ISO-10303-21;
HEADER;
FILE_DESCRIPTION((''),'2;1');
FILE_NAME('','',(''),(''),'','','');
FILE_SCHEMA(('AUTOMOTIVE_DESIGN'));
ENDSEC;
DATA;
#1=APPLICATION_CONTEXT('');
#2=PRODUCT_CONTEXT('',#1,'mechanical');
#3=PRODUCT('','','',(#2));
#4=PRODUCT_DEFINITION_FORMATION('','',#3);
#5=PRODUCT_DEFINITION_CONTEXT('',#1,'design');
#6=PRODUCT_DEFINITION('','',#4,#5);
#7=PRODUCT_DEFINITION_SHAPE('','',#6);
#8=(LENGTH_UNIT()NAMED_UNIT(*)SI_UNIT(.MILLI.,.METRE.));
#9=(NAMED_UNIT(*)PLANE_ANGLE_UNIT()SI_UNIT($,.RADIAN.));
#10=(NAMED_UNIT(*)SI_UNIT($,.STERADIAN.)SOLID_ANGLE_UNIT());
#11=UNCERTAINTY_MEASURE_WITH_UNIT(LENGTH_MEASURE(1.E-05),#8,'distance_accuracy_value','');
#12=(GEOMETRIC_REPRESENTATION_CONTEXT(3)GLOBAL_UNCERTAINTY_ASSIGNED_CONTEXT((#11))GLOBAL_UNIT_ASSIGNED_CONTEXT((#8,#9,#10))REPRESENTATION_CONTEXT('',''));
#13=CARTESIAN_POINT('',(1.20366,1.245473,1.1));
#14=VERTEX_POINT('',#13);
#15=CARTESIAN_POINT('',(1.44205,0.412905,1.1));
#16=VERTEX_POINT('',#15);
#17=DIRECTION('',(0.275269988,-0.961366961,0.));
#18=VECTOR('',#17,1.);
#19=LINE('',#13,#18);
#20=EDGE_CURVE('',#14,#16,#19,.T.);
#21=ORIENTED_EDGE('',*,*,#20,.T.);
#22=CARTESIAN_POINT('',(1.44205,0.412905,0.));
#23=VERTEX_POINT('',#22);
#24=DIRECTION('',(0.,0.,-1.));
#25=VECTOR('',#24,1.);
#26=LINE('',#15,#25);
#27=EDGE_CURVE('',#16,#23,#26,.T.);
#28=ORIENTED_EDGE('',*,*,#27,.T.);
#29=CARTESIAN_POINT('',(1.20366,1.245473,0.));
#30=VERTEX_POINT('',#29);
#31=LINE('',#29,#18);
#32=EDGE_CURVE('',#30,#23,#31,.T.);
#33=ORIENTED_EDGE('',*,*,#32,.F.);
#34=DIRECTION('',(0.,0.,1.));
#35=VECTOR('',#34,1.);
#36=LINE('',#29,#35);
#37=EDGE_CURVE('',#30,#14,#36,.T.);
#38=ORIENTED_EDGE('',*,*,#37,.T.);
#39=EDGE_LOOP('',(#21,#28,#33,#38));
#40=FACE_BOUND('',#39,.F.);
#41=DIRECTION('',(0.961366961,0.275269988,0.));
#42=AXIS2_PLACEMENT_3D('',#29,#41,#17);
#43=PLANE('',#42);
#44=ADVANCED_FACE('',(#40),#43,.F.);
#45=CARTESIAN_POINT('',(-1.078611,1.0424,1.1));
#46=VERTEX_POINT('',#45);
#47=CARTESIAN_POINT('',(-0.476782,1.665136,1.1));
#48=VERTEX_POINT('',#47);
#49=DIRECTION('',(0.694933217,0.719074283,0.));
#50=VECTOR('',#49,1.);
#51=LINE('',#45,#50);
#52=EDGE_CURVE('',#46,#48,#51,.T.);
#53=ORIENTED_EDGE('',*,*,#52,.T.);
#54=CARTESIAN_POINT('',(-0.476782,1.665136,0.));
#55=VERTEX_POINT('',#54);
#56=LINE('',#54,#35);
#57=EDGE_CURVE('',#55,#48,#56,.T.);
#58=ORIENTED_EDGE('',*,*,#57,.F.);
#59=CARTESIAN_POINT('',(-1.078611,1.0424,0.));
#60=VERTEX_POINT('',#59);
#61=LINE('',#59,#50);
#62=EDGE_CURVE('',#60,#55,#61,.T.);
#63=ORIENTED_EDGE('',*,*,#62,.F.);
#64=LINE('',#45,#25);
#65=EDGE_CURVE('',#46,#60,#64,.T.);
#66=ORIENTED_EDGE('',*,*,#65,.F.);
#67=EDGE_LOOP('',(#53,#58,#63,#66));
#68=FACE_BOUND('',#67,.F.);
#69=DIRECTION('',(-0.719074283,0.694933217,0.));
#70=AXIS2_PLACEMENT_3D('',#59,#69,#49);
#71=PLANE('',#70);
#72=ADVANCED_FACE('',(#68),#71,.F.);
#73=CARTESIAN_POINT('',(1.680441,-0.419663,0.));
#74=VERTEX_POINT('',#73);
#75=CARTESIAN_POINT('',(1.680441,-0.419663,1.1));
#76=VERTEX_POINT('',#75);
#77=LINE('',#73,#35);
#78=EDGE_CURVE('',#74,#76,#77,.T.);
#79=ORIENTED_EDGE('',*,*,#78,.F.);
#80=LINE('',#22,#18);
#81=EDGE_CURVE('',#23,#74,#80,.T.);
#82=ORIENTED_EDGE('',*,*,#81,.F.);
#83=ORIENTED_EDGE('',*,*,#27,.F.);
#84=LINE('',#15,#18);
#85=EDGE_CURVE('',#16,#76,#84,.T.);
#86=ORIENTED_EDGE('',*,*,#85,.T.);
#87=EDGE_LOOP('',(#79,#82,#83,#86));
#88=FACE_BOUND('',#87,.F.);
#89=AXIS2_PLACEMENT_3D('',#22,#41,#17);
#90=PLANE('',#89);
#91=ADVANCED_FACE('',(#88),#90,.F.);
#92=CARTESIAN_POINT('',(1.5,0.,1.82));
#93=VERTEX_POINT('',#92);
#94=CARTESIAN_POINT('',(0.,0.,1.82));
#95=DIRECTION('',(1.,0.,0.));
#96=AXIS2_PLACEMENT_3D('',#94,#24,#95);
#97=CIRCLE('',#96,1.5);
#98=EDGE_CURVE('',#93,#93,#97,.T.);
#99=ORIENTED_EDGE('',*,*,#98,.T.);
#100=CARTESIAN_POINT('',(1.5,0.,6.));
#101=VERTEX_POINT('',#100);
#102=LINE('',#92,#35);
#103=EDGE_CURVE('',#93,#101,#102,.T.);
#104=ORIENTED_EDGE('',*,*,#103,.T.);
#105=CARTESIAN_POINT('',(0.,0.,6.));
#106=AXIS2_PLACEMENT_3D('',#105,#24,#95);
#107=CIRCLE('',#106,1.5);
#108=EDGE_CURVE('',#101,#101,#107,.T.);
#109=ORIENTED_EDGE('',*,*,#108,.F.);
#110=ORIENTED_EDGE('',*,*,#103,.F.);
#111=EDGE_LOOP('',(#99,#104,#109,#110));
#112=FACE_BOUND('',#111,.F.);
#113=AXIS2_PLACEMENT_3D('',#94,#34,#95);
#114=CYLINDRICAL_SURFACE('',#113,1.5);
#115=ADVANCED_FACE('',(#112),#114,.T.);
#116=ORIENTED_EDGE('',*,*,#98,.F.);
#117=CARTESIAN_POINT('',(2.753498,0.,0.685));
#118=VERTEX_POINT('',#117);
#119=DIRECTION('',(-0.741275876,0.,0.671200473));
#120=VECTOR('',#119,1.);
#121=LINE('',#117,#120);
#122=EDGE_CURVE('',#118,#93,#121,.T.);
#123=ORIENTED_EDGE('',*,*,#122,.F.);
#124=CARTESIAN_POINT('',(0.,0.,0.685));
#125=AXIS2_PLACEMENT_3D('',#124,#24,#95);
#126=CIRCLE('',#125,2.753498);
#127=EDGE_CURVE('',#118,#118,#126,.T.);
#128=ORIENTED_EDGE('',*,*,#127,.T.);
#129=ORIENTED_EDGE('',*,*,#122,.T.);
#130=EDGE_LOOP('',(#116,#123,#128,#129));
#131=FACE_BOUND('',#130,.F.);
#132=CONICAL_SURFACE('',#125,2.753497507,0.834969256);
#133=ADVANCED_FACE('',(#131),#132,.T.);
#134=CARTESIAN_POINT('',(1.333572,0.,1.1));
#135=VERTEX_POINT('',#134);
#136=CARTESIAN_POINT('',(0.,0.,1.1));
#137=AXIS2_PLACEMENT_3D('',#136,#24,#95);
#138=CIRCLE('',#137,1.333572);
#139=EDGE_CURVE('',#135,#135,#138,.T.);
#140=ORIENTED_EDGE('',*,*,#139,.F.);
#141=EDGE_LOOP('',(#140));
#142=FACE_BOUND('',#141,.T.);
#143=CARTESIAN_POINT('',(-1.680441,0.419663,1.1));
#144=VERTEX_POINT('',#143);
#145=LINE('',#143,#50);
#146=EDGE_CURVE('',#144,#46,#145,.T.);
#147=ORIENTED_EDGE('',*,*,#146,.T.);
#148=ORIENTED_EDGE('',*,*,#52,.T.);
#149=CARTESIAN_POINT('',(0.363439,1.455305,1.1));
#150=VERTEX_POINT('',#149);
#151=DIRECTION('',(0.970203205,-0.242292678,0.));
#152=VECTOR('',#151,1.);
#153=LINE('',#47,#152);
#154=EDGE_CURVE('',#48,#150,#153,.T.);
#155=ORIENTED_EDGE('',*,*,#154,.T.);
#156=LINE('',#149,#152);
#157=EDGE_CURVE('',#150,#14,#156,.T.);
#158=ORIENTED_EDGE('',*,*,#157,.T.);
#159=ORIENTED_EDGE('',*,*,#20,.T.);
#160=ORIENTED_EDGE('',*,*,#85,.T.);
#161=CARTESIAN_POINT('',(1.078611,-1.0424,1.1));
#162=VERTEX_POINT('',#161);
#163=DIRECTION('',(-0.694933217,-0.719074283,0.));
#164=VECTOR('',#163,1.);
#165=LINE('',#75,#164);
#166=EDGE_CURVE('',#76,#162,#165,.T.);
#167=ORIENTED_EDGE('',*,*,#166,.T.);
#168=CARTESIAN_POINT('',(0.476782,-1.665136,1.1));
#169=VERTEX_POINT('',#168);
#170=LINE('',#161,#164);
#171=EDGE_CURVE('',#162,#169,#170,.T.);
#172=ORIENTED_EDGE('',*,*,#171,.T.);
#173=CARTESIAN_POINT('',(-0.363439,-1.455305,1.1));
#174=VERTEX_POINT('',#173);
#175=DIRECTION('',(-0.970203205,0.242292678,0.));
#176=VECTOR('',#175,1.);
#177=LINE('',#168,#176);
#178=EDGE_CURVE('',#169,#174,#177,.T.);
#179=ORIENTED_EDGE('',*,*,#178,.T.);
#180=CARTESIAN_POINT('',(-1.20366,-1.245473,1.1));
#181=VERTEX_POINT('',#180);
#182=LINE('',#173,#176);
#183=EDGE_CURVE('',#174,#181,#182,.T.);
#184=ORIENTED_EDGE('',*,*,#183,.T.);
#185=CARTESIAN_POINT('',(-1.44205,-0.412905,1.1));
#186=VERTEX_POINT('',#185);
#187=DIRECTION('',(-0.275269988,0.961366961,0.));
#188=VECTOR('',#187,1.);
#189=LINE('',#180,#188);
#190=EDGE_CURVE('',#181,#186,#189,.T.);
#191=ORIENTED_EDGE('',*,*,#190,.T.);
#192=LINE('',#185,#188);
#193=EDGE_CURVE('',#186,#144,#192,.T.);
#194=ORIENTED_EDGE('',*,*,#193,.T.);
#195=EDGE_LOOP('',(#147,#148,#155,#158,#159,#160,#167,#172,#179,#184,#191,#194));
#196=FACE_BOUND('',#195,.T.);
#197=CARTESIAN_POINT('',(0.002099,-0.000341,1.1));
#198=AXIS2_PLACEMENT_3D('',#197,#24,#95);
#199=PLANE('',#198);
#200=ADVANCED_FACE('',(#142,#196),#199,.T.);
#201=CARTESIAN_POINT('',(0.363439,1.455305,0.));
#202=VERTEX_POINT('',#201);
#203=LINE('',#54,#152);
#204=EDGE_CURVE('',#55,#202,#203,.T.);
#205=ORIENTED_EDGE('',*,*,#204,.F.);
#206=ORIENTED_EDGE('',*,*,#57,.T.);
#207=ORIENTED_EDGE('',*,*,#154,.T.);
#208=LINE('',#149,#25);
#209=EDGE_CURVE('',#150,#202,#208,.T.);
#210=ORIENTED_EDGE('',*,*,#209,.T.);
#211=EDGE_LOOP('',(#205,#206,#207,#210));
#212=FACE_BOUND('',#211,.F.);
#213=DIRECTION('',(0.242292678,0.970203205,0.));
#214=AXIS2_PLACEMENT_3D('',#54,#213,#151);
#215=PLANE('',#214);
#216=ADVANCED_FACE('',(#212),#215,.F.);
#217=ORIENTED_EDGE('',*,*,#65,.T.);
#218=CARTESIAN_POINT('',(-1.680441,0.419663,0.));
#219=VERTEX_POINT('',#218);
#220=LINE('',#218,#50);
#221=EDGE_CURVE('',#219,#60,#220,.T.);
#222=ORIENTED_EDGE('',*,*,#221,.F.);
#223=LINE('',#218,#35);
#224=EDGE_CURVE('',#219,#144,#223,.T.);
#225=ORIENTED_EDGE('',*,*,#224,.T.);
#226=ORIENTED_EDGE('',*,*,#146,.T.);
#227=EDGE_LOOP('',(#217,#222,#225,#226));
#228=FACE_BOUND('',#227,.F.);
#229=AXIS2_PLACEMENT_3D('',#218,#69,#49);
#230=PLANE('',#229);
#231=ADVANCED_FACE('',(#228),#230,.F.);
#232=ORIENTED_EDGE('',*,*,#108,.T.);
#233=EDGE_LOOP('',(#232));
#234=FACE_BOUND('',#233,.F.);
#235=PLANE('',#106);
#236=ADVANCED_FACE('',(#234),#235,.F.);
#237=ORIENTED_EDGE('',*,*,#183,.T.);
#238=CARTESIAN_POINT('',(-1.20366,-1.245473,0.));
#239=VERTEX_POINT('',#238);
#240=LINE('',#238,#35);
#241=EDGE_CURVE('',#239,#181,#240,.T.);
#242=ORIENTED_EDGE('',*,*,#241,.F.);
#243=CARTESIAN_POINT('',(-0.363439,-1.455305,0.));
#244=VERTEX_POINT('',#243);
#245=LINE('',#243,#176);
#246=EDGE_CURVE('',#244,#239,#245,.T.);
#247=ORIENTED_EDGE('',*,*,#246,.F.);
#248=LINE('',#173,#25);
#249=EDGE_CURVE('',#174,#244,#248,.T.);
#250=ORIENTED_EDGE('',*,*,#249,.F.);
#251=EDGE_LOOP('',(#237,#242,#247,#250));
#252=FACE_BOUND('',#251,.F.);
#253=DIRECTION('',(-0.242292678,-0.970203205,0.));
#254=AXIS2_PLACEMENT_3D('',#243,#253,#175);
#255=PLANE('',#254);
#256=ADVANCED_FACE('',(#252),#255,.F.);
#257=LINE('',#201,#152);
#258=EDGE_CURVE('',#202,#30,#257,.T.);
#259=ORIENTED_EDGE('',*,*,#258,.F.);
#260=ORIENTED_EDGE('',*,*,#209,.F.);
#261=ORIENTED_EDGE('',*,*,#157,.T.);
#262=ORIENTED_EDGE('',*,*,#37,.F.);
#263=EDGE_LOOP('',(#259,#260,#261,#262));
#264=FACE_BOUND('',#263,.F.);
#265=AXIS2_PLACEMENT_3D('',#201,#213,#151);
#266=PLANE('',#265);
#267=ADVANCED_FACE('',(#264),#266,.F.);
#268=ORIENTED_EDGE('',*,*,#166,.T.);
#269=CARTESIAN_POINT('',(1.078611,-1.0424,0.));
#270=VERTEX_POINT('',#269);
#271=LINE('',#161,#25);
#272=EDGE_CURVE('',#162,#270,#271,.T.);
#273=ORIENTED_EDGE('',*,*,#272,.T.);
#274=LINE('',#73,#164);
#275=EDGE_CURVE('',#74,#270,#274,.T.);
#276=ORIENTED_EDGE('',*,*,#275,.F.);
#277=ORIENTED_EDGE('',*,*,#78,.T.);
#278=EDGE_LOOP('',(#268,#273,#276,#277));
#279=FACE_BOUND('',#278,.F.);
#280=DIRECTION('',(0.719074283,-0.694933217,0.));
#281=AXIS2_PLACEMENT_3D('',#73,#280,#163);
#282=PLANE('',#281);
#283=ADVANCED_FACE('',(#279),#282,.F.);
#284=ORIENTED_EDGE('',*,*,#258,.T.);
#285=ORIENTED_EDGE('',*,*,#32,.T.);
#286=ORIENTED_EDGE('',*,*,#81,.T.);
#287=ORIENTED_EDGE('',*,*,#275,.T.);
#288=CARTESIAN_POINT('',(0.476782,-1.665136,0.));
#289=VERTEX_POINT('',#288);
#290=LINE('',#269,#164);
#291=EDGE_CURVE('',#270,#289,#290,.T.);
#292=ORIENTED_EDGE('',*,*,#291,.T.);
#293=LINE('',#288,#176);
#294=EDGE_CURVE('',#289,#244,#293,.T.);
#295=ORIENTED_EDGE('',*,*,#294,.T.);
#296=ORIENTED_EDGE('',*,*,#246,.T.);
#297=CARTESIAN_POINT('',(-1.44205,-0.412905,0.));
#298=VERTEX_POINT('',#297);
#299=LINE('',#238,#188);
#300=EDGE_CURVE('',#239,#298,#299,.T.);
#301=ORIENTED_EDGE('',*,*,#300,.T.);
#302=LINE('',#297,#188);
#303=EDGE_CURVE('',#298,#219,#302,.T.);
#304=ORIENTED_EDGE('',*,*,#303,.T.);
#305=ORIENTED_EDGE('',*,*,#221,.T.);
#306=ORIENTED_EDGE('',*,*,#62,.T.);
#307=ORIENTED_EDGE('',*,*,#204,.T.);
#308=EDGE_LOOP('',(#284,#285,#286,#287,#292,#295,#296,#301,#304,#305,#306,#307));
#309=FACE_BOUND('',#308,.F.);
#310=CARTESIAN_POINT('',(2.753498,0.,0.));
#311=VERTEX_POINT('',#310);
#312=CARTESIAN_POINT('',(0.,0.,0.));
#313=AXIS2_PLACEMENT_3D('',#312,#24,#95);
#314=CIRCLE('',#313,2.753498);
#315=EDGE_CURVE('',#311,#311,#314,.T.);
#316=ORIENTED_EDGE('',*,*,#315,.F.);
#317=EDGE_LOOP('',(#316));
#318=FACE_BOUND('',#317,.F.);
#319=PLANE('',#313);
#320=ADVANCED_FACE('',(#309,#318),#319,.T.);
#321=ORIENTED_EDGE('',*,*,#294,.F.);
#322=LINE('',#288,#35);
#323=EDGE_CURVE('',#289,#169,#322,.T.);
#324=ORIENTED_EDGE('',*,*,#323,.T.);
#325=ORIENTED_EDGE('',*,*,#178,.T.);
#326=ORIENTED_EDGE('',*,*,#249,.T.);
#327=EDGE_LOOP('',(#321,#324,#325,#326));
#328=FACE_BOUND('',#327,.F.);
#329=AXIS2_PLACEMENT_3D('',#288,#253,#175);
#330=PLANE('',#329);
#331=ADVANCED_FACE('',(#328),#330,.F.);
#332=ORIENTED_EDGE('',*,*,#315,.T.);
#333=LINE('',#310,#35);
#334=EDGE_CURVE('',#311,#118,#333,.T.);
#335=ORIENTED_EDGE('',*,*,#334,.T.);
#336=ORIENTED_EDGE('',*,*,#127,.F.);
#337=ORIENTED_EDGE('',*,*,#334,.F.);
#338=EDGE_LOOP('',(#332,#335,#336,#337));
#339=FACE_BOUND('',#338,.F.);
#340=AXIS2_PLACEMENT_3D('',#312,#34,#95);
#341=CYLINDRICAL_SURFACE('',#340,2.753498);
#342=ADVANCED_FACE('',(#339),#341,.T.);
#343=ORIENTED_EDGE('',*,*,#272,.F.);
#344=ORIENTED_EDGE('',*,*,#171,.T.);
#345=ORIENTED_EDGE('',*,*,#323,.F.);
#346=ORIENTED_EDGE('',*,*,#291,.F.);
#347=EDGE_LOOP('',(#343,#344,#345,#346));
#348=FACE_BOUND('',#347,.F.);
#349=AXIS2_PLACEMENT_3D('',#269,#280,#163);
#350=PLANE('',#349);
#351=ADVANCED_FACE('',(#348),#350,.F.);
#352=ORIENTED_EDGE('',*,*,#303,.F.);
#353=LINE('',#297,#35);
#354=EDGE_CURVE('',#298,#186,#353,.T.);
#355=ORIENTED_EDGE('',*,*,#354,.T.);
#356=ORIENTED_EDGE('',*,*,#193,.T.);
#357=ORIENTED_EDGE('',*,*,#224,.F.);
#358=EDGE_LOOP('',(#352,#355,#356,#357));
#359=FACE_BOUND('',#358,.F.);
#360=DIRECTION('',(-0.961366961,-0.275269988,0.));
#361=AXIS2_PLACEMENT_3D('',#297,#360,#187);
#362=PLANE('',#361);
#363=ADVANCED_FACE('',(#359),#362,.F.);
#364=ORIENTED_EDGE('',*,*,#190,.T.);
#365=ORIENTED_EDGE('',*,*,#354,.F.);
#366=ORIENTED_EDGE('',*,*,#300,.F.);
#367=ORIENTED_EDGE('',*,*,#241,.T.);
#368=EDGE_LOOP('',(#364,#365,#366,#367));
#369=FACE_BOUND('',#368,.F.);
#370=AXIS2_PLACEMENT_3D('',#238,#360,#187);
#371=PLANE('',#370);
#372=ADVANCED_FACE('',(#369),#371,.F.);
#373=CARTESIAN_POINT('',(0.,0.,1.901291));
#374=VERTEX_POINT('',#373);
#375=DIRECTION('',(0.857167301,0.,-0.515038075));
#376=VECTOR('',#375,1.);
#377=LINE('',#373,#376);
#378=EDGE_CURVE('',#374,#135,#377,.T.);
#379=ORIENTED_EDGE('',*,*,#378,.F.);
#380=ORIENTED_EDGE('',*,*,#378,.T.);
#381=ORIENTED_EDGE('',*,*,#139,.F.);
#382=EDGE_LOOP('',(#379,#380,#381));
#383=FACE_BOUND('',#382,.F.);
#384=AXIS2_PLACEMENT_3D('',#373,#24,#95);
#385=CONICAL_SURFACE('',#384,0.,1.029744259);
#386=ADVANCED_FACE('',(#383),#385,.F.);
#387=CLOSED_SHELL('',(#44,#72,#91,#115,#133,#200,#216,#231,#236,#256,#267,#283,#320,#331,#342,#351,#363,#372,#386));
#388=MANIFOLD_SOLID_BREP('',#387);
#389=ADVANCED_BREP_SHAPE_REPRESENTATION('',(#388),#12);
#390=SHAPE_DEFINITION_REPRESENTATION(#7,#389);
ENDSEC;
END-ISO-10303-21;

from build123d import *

# Parameters (mm, degrees)
F3_D     = 3
F3_DEPTH = 1
F3_TIP   = 0.9012909285
F5_DEPTH = 1.1


with BuildPart() as f1:
    # F0 (on Front) → F1 (revolve)
    with BuildSketch(Plane.XZ):
        Polygon((1.5, 6), (0, 6), (0, 0), (2.753497507, 0), (2.753497507, 0.685), (1.5, 1.82), align=None)
    revolve(axis=Axis((0, 0, 3), (0, 0, -1)))

    # F3
    with Locations(Plane(origin=(0, 0, 0), x_dir=(1, 0, 0), z_dir=(0, 0, -1))):
        with Locations((0, 0)):
            Hole(F3_D / 2, depth=F3_DEPTH)
            with Locations((0, 0, -(F3_DEPTH + F3_TIP / 2))):  # 118° drill point
                Cone(0, F3_D / 2, F3_TIP, mode=Mode.SUBTRACT)

    # F4 (on face) → F5 (cut)
    with BuildSketch(Plane(origin=(0, 0, 0), x_dir=(1, 0, 0), z_dir=(0, 0, -1))):
        with BuildLine():
            ThreePointArc((1.4420504443, -0.4129049722), (1.4854419656, -0.2084758182), (1.5, 0))
            ThreePointArc((1.5, 0), (1.3906683924, 0.5621756153), (1.0786114367, 1.0423998122))
            ThreePointArc((1.0786114367, 1.0423998122), (0.4129049995, 1.4420504365), (-0.3634389987, 1.4553048114))
            ThreePointArc((-0.3634389987, 1.4553048114), (-1.0423998218, 1.0786114275), (-1.4420504443, 0.4129049722))
            ThreePointArc((-1.4420504443, 0.4129049722), (-1.4553048039, -0.363439029), (-1.0786114144, -1.0423998354))
            ThreePointArc((-1.0786114144, -1.0423998354), (-0.412904984, -1.4420504409), (0.3634389987, -1.4553048114))
            ThreePointArc((0.3634389987, -1.4553048114), (1.0423998218, -1.0786114275), (1.4420504443, -0.4129049722))
        make_face()
        with BuildLine():
            ThreePointArc((1.0786114367, 1.0423998122), (1.3906683924, 0.5621756153), (1.5, 0))
            ThreePointArc((1.5, 0), (1.4854419656, -0.2084758182), (1.4420504443, -0.4129049722))
            Line((1.4420504443, -0.4129049722), (1.680441244, 0.4196632286))
            Line((1.680441244, 0.4196632286), (1.0786114367, 1.0423998122))
        make_face()
        with BuildLine():
            ThreePointArc((-0.3634389987, 1.4553048114), (0.4129049995, 1.4420504365), (1.0786114367, 1.0423998122))
            Line((1.0786114367, 1.0423998122), (0.476781605, 1.6651364212))
            Line((0.476781605, 1.6651364212), (-0.3634389987, 1.4553048114))
        make_face()
        with BuildLine():
            Line((1.203659639, -1.2454731926), (1.4420504443, -0.4129049722))
            ThreePointArc((1.4420504443, -0.4129049722), (1.0423998218, -1.0786114275), (0.3634389987, -1.4553048114))
            Line((0.3634389987, -1.4553048114), (1.203659639, -1.2454731926))
        make_face()
        with BuildLine():
            ThreePointArc((-1.4420504443, 0.4129049722), (-1.0423998218, 1.0786114275), (-0.3634389987, 1.4553048114))
            Line((-0.3634389987, 1.4553048114), (-1.203659639, 1.2454731926))
            Line((-1.203659639, 1.2454731926), (-1.4420504443, 0.4129049722))
        make_face()
        with BuildLine():
            Line((-0.476781605, -1.6651364212), (0.3634389987, -1.4553048114))
            ThreePointArc((0.3634389987, -1.4553048114), (-0.412904984, -1.4420504409), (-1.0786114144, -1.0423998354))
            Line((-1.0786114144, -1.0423998354), (-0.476781605, -1.6651364212))
        make_face()
        with BuildLine():
            ThreePointArc((-1.0786114144, -1.0423998354), (-1.4553048039, -0.363439029), (-1.4420504443, 0.4129049722))
            Line((-1.4420504443, 0.4129049722), (-1.680441244, -0.4196632286))
            Line((-1.680441244, -0.4196632286), (-1.0786114144, -1.0423998354))
        make_face()
    extrude(amount=-F5_DEPTH, mode=Mode.SUBTRACT)


solid = f1.part
